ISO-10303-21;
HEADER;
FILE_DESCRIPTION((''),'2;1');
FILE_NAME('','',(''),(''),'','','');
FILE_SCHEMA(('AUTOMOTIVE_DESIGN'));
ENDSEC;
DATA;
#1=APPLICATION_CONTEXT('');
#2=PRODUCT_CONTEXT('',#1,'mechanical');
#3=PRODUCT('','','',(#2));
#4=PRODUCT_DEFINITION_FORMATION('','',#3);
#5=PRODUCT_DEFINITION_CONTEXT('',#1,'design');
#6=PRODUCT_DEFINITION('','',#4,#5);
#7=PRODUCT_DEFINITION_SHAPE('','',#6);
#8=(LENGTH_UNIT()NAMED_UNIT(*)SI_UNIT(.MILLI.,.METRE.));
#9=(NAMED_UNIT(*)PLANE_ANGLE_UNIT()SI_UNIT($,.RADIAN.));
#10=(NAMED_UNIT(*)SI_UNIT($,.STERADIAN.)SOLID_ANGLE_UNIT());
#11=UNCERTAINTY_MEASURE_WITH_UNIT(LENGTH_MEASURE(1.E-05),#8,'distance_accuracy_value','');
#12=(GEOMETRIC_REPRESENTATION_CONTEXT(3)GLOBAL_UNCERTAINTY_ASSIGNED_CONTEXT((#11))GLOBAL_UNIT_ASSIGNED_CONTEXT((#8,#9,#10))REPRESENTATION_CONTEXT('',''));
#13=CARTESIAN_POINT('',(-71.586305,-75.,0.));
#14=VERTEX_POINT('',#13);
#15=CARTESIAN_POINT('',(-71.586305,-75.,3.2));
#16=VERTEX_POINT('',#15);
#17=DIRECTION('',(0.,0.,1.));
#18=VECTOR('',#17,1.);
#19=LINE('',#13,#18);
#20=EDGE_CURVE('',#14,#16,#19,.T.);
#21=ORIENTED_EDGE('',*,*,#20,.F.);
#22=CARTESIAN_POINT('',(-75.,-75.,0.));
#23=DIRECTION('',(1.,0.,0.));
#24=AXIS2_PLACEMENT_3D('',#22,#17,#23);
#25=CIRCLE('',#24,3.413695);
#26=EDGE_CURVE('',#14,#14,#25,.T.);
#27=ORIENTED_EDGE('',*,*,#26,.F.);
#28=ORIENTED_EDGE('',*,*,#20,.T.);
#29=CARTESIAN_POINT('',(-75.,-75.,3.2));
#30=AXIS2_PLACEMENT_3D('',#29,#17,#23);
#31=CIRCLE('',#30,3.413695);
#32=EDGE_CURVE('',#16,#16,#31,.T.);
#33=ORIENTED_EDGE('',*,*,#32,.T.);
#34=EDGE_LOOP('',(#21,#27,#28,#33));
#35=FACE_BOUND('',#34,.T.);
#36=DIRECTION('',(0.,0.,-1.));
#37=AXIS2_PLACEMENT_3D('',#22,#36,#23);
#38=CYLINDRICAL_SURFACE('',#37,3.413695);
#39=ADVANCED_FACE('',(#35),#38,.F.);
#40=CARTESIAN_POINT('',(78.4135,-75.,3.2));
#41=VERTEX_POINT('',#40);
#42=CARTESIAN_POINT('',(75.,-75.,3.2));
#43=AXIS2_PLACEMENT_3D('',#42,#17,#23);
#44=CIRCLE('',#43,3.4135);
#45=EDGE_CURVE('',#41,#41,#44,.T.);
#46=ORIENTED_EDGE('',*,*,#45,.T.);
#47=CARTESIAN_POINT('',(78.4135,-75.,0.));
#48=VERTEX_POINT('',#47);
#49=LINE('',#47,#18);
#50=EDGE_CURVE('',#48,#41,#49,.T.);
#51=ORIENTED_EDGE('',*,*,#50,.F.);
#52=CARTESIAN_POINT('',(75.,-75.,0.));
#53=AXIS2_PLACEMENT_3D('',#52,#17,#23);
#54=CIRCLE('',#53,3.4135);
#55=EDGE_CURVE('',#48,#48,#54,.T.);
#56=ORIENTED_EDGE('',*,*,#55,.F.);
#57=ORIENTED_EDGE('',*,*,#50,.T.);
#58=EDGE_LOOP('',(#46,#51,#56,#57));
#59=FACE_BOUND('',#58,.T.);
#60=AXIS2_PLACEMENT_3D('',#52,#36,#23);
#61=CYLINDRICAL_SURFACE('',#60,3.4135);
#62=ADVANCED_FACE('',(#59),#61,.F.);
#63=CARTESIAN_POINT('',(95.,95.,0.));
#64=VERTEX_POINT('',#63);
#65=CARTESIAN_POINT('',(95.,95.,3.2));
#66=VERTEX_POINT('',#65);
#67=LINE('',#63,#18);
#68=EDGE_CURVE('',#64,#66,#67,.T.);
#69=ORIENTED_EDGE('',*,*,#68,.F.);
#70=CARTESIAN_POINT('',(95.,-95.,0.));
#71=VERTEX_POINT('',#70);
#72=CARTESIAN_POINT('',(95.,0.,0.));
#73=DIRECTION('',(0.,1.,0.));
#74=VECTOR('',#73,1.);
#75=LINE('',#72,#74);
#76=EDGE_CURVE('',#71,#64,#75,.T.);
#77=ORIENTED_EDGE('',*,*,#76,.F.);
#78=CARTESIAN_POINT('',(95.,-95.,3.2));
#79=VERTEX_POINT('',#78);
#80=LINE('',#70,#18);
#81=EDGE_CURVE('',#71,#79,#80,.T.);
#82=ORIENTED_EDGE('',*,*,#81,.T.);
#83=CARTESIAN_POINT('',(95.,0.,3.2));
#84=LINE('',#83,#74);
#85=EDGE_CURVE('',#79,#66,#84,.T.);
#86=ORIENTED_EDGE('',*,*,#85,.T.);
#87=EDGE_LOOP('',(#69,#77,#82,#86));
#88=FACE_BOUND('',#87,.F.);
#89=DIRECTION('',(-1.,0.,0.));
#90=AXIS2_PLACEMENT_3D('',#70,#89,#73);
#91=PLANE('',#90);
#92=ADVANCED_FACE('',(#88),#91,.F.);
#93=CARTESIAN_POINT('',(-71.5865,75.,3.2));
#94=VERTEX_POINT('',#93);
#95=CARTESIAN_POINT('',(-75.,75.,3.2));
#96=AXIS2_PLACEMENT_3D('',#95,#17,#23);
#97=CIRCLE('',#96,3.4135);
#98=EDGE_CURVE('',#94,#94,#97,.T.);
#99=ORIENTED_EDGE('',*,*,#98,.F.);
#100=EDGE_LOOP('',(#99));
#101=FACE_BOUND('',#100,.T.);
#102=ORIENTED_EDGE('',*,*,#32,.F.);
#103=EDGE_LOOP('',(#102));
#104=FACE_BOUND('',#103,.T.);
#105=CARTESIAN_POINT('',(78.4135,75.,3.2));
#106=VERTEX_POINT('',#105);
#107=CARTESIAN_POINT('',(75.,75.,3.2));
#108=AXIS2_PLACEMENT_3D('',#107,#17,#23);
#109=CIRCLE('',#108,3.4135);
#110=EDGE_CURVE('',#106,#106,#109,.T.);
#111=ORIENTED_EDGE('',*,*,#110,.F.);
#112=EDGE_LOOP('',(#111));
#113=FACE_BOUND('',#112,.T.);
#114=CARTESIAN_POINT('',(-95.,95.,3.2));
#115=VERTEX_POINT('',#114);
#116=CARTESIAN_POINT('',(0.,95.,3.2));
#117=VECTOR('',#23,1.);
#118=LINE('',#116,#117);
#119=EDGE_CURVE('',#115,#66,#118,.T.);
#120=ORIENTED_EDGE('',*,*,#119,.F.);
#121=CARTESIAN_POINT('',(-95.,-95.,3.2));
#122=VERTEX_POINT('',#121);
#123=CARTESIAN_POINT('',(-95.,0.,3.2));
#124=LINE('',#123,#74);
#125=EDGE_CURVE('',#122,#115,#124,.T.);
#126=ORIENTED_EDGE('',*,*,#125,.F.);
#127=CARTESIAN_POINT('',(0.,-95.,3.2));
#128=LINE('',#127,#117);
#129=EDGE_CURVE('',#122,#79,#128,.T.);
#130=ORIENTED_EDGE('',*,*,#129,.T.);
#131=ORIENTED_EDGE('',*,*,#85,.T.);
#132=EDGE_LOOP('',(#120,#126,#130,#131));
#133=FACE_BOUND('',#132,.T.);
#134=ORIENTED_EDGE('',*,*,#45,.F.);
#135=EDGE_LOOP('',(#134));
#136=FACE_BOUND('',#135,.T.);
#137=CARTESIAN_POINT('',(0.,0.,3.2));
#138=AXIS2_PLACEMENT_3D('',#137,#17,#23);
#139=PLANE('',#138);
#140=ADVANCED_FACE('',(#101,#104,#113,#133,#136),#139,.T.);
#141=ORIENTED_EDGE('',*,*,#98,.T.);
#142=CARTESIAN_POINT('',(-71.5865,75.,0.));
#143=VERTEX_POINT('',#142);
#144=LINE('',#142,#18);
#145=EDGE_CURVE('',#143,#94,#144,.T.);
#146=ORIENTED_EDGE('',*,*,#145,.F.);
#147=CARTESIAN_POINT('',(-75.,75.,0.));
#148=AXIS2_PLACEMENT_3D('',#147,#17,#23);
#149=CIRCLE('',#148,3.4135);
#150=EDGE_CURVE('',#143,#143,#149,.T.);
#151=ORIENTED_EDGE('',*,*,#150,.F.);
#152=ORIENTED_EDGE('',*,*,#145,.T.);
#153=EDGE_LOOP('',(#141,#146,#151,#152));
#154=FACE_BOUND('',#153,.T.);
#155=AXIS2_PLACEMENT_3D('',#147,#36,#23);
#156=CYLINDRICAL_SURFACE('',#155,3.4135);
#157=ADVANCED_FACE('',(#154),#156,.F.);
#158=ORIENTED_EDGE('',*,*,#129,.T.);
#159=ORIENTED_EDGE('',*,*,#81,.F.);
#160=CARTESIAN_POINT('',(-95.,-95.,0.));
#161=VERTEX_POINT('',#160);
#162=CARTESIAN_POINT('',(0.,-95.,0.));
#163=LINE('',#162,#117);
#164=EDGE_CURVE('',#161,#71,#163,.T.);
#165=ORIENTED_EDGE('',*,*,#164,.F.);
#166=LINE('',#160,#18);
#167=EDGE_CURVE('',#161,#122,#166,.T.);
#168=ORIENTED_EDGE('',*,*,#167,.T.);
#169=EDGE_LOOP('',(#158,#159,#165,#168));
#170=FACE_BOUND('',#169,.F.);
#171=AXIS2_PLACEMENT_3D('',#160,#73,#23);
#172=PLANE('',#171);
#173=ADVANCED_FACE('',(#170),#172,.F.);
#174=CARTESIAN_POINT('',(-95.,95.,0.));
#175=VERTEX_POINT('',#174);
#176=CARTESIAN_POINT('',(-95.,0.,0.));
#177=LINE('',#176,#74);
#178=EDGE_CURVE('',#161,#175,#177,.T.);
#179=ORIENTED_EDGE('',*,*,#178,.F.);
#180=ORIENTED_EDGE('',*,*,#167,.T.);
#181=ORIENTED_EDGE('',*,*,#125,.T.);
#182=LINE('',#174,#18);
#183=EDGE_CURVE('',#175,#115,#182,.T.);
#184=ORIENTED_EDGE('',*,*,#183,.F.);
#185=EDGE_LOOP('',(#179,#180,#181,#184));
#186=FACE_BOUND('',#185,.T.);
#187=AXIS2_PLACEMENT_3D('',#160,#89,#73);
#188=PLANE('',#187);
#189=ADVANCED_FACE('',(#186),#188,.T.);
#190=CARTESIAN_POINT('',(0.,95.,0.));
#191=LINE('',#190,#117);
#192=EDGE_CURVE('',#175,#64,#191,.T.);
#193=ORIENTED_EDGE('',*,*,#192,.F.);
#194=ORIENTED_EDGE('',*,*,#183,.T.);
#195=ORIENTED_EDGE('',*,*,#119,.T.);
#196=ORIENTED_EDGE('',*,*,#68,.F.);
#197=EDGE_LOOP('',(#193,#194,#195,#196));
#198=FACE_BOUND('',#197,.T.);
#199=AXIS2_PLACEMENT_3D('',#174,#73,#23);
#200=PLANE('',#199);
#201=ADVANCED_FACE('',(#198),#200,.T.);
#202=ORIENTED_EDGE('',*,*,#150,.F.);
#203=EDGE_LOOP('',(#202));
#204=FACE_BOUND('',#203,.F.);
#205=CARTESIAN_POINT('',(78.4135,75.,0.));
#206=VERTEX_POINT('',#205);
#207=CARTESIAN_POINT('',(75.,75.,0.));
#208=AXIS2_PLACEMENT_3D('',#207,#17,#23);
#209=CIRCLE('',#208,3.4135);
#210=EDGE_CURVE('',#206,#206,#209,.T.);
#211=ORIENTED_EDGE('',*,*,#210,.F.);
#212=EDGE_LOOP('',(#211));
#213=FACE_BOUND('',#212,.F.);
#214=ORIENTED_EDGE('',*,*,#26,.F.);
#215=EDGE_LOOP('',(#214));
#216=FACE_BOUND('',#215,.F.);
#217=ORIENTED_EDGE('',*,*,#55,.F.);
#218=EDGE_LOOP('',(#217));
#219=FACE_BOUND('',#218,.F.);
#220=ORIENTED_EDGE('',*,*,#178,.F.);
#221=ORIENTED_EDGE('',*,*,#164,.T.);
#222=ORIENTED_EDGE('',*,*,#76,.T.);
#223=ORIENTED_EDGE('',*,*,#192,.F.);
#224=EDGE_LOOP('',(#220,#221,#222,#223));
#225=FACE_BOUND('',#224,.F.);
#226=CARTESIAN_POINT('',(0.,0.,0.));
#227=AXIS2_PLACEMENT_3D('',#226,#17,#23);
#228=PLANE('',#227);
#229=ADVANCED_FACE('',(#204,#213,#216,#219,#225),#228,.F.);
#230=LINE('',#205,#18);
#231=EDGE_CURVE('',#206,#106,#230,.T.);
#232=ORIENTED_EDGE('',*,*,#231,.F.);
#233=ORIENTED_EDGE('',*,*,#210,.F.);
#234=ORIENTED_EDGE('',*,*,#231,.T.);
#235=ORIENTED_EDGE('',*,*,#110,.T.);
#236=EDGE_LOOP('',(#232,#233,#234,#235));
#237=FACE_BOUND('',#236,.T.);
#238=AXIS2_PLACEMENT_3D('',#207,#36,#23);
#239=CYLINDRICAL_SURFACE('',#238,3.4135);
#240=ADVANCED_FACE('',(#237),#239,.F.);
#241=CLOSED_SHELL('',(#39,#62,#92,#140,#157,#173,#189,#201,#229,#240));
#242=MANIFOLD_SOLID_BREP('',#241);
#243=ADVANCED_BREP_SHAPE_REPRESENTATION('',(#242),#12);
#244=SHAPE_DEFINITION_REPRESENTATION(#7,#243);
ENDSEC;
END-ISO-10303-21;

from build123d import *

# Parameters (mm, degrees)
F0_W     = 190
F0_H     = 190
F0_R     = 3.413695
F0_R_2   = 3.4135
F0_R_3   = 49.746444
F1_DEPTH = 3.2


with BuildPart() as f1:
    # F0 (on Top) → F1 (new body)
    with BuildSketch(Plane.XY):
        Rectangle(F0_W, F0_H)
        with Locations((-75, -75)):
            Circle(F0_R, mode=Mode.SUBTRACT)
        with Locations((75, -75)):
            Circle(F0_R_2, mode=Mode.SUBTRACT)
        with Locations((-75, 75)):
            Circle(F0_R_2, mode=Mode.SUBTRACT)
        Circle(F0_R_3, mode=Mode.SUBTRACT)
        with Locations((75, 75)):
            Circle(F0_R_2, mode=Mode.SUBTRACT)
        Circle(F0_R_3)
    extrude(amount=F1_DEPTH)


solid = f1.part
